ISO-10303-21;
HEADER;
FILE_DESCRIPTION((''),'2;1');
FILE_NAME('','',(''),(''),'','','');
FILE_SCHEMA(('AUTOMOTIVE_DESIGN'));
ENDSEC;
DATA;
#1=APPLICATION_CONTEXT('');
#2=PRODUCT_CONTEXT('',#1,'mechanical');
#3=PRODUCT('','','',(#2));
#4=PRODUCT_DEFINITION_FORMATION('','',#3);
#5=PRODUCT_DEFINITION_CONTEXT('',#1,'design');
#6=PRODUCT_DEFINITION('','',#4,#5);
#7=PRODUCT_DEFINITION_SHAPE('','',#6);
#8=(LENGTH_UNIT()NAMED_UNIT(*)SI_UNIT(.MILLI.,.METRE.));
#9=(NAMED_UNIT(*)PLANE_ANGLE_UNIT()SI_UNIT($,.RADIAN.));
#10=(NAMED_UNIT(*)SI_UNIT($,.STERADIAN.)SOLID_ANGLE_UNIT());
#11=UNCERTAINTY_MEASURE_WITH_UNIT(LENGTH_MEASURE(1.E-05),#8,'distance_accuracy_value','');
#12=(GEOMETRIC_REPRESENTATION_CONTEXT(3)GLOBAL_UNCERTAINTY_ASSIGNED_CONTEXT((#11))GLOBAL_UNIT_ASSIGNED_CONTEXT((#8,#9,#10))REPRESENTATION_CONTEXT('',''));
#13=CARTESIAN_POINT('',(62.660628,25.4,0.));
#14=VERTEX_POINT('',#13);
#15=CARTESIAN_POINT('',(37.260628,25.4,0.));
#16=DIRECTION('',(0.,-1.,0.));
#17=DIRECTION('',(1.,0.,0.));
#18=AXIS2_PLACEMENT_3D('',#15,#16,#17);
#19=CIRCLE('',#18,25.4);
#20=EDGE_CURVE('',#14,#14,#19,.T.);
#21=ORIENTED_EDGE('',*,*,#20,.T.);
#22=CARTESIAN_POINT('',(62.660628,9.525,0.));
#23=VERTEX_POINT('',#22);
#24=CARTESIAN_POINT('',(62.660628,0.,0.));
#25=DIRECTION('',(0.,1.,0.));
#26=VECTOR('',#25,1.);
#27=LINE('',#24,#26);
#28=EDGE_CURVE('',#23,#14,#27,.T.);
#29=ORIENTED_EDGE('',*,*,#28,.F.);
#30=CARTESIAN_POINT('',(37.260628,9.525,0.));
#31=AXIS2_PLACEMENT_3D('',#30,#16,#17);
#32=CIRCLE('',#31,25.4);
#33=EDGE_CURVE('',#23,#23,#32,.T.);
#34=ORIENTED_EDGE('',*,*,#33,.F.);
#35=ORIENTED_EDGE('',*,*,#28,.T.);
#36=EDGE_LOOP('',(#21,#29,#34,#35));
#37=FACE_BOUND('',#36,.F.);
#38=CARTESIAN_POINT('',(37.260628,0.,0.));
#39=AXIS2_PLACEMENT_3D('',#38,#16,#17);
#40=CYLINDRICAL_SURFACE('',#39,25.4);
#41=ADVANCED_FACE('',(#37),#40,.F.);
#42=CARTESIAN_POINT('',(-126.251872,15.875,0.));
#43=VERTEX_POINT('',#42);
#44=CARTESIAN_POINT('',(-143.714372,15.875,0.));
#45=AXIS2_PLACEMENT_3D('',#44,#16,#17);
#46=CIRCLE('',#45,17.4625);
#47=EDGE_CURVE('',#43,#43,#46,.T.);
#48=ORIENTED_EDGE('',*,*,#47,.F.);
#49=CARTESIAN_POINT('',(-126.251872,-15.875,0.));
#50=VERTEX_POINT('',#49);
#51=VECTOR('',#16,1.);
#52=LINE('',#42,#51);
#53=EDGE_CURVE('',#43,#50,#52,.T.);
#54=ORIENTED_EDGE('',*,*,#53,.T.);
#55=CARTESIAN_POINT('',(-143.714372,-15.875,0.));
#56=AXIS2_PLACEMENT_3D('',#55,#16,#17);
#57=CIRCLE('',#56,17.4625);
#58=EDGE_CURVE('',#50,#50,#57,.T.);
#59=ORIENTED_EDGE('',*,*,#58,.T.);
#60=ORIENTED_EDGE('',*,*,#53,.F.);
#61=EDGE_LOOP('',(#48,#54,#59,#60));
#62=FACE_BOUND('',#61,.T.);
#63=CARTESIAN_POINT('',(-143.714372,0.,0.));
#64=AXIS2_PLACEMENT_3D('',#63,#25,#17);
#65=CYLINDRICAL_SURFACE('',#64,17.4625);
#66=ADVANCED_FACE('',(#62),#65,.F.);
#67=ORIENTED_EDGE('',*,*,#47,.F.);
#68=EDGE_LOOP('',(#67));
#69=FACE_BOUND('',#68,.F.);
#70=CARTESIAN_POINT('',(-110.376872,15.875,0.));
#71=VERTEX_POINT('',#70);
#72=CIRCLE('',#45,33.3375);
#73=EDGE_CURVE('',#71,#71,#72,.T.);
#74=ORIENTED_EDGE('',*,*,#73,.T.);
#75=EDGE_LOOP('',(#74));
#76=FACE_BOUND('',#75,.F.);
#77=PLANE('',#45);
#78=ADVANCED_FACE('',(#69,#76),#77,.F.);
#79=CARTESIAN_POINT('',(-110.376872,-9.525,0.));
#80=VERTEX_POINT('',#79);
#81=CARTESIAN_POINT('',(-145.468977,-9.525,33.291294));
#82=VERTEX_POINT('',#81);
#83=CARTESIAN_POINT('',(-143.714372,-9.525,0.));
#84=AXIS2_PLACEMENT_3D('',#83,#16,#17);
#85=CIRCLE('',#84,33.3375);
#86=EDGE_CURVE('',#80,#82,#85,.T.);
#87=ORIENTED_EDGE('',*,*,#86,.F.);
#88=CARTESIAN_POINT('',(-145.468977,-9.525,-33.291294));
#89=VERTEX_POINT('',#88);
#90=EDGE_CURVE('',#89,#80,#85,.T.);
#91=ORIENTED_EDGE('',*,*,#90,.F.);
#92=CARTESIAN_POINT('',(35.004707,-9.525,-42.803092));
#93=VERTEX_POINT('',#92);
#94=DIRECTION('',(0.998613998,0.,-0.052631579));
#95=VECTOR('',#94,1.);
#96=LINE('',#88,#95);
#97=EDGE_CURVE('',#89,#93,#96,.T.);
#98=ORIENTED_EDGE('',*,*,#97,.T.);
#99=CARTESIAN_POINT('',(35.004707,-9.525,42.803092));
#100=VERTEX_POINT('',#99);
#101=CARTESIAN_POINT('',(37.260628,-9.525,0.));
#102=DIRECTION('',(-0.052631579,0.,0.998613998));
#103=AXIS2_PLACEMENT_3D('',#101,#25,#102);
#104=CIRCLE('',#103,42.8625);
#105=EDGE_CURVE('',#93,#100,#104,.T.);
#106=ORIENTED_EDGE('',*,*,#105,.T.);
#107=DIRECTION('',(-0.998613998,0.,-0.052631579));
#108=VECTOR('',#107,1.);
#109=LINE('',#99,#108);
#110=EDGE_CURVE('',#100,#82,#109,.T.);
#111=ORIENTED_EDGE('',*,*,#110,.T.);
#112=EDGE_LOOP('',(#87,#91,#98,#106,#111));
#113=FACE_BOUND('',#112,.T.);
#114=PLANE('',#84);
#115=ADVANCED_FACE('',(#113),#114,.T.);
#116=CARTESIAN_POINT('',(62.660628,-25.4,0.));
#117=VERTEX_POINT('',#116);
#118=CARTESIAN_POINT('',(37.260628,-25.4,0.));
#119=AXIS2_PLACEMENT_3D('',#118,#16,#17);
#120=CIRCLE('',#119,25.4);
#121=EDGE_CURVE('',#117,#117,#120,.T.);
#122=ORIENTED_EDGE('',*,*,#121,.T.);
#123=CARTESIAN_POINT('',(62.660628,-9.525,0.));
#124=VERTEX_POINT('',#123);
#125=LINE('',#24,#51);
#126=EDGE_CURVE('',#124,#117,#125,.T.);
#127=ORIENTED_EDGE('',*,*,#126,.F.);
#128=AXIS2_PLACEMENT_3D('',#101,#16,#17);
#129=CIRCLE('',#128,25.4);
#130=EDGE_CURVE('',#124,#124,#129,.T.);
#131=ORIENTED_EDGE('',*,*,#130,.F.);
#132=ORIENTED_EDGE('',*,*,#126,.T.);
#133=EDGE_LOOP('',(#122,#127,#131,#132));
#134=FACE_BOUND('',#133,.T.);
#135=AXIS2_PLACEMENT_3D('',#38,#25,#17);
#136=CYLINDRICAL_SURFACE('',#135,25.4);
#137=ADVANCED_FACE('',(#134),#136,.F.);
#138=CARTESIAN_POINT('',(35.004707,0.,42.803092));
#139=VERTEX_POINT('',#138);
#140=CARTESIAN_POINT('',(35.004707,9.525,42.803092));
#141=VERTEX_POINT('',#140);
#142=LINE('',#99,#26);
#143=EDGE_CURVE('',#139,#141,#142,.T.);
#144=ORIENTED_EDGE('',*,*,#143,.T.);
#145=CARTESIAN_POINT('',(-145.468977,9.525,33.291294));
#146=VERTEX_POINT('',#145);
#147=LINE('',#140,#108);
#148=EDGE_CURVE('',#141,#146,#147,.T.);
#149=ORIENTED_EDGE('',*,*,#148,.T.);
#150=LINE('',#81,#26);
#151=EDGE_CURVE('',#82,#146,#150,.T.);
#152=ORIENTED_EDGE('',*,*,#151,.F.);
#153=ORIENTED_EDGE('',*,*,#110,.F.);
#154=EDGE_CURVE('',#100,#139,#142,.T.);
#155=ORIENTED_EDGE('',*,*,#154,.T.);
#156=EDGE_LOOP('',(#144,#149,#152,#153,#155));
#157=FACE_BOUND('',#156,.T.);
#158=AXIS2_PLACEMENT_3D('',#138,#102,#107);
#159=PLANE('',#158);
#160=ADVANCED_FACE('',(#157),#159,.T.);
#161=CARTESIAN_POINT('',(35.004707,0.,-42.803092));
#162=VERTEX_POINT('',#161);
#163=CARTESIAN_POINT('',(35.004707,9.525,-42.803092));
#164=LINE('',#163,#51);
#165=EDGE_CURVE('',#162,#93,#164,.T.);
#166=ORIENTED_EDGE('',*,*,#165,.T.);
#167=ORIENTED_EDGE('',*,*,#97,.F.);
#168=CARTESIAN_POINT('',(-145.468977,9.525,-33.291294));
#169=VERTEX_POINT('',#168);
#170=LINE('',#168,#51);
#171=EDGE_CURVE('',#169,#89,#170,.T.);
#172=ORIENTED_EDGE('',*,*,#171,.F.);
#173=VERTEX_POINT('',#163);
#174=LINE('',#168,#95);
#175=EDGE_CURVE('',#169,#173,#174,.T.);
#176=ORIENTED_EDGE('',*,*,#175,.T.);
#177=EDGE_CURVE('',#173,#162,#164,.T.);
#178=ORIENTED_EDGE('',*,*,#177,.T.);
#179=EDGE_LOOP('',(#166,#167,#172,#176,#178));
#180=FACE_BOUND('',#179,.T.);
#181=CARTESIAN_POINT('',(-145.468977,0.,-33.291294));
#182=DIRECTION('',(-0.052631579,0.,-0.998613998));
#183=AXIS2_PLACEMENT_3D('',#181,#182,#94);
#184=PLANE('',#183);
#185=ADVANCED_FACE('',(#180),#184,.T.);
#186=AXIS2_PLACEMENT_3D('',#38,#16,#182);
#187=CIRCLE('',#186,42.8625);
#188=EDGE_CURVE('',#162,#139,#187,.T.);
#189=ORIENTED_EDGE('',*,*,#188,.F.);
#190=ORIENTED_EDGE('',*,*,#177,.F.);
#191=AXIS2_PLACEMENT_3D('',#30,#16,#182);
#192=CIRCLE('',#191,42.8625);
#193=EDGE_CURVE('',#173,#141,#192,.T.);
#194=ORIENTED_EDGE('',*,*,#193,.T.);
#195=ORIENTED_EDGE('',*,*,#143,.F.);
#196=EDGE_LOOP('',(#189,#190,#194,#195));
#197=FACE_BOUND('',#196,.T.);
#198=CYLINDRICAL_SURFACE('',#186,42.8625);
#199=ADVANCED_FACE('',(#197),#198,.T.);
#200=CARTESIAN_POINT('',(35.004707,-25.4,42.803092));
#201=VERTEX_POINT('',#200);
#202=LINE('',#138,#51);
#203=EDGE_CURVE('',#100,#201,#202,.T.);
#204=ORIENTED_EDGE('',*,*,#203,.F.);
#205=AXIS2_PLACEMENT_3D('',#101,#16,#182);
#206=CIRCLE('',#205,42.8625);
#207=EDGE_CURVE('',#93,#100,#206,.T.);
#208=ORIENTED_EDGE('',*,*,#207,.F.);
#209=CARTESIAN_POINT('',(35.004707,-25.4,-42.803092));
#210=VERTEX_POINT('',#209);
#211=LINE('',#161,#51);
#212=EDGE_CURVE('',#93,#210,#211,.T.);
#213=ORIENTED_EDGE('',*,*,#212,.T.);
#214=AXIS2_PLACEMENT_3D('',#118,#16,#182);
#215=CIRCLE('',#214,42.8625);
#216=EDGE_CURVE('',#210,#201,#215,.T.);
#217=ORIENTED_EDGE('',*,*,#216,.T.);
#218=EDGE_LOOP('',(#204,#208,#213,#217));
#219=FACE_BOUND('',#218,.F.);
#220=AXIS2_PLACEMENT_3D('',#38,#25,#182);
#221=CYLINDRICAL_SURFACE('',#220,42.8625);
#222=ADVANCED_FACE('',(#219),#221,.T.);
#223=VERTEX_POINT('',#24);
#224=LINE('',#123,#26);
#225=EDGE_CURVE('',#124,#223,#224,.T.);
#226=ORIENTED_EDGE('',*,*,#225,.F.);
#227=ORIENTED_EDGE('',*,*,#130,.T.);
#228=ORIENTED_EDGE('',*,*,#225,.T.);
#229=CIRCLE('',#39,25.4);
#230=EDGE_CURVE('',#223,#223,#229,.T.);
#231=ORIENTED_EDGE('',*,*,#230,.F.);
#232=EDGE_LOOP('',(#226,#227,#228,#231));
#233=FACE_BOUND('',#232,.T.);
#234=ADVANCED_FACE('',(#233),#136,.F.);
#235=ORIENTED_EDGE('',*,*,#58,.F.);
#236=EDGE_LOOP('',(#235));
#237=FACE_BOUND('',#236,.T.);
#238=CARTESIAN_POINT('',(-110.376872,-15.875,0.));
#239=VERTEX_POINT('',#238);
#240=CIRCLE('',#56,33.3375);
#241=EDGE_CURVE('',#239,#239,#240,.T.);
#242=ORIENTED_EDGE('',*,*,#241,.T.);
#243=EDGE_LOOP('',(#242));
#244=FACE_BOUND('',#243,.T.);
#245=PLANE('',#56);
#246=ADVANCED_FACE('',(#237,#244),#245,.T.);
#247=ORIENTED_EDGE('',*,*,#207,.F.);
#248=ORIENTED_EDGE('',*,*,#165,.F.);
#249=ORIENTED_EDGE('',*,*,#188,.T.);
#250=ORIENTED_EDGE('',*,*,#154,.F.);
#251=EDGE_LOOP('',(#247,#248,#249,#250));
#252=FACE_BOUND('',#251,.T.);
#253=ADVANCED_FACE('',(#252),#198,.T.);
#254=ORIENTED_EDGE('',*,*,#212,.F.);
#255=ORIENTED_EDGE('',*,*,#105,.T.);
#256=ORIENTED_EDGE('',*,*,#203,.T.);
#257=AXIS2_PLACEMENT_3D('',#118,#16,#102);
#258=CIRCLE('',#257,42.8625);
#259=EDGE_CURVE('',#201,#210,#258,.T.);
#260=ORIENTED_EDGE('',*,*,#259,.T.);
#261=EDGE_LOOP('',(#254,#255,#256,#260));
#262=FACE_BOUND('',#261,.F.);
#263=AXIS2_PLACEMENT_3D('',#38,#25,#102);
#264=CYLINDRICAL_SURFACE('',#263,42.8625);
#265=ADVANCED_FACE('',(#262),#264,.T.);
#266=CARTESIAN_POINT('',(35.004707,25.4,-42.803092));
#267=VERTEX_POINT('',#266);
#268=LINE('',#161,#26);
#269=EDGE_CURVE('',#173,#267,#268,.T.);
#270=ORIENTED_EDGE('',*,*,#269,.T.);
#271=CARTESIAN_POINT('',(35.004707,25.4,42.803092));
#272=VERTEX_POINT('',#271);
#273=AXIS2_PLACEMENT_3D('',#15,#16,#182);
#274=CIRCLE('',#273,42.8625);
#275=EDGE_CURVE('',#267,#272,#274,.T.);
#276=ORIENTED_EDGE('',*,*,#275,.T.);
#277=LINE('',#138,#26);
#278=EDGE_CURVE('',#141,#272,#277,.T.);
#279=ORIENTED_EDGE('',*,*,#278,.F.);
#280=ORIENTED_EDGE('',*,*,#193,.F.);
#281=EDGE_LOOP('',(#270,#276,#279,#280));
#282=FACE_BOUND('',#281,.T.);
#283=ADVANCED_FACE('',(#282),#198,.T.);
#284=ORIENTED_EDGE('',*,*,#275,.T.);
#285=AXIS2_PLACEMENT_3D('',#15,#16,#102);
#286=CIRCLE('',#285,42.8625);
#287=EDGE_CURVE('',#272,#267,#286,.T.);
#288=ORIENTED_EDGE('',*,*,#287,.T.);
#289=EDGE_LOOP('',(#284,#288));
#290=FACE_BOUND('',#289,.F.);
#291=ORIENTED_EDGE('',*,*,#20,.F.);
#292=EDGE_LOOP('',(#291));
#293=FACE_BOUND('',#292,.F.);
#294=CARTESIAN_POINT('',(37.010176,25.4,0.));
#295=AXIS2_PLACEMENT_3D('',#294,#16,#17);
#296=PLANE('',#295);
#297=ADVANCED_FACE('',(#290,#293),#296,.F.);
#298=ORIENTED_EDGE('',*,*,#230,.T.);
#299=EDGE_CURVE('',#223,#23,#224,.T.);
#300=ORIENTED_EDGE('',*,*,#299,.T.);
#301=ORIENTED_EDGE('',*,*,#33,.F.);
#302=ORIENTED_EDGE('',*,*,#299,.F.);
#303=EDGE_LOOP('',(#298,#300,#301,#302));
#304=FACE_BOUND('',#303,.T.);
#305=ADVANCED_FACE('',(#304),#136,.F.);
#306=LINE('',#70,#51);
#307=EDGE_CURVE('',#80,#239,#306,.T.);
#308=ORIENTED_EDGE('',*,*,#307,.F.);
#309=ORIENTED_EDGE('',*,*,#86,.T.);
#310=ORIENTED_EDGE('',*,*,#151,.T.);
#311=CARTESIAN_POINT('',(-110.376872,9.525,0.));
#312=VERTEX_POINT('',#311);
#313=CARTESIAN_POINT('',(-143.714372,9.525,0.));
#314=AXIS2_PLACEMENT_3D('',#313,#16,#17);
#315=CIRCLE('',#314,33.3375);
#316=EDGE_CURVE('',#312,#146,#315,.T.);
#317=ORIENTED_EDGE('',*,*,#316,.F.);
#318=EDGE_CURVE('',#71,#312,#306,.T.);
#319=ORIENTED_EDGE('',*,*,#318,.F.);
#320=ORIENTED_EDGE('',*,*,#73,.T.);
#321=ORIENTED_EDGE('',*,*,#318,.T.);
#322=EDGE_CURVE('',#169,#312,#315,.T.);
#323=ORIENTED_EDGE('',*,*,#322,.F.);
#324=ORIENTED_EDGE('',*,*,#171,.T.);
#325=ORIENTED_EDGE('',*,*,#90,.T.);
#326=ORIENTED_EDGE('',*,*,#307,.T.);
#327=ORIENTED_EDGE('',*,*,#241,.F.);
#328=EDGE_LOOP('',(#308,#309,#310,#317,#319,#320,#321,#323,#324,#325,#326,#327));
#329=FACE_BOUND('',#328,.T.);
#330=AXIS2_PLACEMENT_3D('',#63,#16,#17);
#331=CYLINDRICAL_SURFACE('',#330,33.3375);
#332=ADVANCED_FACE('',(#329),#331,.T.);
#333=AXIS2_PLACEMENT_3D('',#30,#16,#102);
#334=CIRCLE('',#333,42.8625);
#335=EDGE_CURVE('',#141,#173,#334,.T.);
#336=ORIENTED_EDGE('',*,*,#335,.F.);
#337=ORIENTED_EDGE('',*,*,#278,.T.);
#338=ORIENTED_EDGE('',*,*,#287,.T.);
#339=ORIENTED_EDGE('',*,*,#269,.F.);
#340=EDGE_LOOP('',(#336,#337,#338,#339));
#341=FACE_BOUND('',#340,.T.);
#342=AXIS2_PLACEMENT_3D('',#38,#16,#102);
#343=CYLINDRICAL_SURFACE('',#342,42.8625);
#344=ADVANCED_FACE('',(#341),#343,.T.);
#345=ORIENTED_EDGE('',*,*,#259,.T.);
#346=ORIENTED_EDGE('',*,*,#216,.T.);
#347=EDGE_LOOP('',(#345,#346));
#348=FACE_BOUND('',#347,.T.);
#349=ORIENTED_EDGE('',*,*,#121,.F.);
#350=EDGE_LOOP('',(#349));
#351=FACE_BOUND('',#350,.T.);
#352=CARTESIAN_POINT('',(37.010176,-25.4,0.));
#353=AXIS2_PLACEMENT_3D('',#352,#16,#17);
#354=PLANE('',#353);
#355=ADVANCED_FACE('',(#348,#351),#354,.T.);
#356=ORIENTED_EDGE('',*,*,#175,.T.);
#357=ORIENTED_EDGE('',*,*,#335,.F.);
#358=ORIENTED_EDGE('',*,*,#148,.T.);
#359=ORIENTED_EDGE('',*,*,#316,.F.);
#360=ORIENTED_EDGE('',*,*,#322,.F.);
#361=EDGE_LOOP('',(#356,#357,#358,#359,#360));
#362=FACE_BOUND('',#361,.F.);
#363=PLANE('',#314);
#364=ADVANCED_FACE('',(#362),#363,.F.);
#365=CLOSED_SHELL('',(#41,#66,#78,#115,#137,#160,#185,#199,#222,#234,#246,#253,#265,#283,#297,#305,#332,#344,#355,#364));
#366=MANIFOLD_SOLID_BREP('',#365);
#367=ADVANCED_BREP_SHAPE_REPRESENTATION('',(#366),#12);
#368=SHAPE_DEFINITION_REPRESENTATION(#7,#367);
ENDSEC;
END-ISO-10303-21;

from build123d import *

# Parameters (mm, degrees)
F0_R     = 17.4625
F0_R_2   = 25.4
F1_DEPTH = 9.525
F2_DEPTH = 25.4
F3_DEPTH = 15.875


with BuildPart() as f1:
    # F0 (on Front) → F1 (new body, symmetric)
    with BuildSketch(Plane.XZ):
        with BuildLine():
            ThreePointArc((-145.4689772406, -33.2912941566), (-120.7699308937, -24.185564488), (-110.3768719775, 0))
            ThreePointArc((-110.3768719775, 0), (-120.7699308937, 24.185564488), (-145.4689772406, 33.2912941566))
            ThreePointArc((-145.4689772406, 33.2912941566), (-177.0518719775, 0), (-145.4689772406, -33.2912941566))
        make_face()
        with Locations((-143.7143719775, 0)):
            Circle(F0_R, mode=Mode.SUBTRACT)
        with BuildLine():
            ThreePointArc((-145.4689772406, 33.2912941566), (-120.7699308937, 24.185564488), (-110.3768719775, 0))
            ThreePointArc((-110.3768719775, 0), (-120.7699308937, -24.185564488), (-145.4689772406, -33.2912941566))
            Line((-145.4689772406, -33.2912941566), (35.0047069699, -42.803092487))
            ThreePointArc((35.0047069699, -42.803092487), (-5.6018719775, 0), (35.0047069699, 42.803092487))
            Line((35.0047069699, 42.803092487), (-145.4689772406, 33.2912941566))
        make_face()
        with BuildLine():
            ThreePointArc((80.1231280225, 0), (66.7606237016, 31.0957257703), (35.0047069699, 42.803092487))
            ThreePointArc((35.0047069699, 42.803092487), (-5.6018719775, 0), (35.0047069699, -42.803092487))
            ThreePointArc((35.0047069699, -42.803092487), (66.7606237016, -31.0957257703), (80.1231280225, 0))
        make_face()
        with Locations((37.2606280225, 0)):
            Circle(F0_R_2, mode=Mode.SUBTRACT)
    extrude(amount=F1_DEPTH, both=True)

    # F0 (on Front) → F2 (join, symmetric)
    with BuildSketch(Plane.XZ):
        with BuildLine():
            ThreePointArc((80.1231280225, 0), (66.7606237016, 31.0957257703), (35.0047069699, 42.803092487))
            ThreePointArc((35.0047069699, 42.803092487), (-5.6018719775, 0), (35.0047069699, -42.803092487))
            ThreePointArc((35.0047069699, -42.803092487), (66.7606237016, -31.0957257703), (80.1231280225, 0))
        make_face()
        with Locations((37.2606280225, 0)):
            Circle(F0_R_2, mode=Mode.SUBTRACT)
    extrude(amount=F2_DEPTH, both=True)

    # F0 (on Front) → F3 (join, symmetric)
    with BuildSketch(Plane.XZ):
        with BuildLine():
            ThreePointArc((-145.4689772406, -33.2912941566), (-120.7699308937, -24.185564488), (-110.3768719775, 0))
            ThreePointArc((-110.3768719775, 0), (-120.7699308937, 24.185564488), (-145.4689772406, 33.2912941566))
            ThreePointArc((-145.4689772406, 33.2912941566), (-177.0518719775, 0), (-145.4689772406, -33.2912941566))
        make_face()
        with Locations((-143.7143719775, 0)):
            Circle(F0_R, mode=Mode.SUBTRACT)
    extrude(amount=F3_DEPTH, both=True)


solid = f1.part
